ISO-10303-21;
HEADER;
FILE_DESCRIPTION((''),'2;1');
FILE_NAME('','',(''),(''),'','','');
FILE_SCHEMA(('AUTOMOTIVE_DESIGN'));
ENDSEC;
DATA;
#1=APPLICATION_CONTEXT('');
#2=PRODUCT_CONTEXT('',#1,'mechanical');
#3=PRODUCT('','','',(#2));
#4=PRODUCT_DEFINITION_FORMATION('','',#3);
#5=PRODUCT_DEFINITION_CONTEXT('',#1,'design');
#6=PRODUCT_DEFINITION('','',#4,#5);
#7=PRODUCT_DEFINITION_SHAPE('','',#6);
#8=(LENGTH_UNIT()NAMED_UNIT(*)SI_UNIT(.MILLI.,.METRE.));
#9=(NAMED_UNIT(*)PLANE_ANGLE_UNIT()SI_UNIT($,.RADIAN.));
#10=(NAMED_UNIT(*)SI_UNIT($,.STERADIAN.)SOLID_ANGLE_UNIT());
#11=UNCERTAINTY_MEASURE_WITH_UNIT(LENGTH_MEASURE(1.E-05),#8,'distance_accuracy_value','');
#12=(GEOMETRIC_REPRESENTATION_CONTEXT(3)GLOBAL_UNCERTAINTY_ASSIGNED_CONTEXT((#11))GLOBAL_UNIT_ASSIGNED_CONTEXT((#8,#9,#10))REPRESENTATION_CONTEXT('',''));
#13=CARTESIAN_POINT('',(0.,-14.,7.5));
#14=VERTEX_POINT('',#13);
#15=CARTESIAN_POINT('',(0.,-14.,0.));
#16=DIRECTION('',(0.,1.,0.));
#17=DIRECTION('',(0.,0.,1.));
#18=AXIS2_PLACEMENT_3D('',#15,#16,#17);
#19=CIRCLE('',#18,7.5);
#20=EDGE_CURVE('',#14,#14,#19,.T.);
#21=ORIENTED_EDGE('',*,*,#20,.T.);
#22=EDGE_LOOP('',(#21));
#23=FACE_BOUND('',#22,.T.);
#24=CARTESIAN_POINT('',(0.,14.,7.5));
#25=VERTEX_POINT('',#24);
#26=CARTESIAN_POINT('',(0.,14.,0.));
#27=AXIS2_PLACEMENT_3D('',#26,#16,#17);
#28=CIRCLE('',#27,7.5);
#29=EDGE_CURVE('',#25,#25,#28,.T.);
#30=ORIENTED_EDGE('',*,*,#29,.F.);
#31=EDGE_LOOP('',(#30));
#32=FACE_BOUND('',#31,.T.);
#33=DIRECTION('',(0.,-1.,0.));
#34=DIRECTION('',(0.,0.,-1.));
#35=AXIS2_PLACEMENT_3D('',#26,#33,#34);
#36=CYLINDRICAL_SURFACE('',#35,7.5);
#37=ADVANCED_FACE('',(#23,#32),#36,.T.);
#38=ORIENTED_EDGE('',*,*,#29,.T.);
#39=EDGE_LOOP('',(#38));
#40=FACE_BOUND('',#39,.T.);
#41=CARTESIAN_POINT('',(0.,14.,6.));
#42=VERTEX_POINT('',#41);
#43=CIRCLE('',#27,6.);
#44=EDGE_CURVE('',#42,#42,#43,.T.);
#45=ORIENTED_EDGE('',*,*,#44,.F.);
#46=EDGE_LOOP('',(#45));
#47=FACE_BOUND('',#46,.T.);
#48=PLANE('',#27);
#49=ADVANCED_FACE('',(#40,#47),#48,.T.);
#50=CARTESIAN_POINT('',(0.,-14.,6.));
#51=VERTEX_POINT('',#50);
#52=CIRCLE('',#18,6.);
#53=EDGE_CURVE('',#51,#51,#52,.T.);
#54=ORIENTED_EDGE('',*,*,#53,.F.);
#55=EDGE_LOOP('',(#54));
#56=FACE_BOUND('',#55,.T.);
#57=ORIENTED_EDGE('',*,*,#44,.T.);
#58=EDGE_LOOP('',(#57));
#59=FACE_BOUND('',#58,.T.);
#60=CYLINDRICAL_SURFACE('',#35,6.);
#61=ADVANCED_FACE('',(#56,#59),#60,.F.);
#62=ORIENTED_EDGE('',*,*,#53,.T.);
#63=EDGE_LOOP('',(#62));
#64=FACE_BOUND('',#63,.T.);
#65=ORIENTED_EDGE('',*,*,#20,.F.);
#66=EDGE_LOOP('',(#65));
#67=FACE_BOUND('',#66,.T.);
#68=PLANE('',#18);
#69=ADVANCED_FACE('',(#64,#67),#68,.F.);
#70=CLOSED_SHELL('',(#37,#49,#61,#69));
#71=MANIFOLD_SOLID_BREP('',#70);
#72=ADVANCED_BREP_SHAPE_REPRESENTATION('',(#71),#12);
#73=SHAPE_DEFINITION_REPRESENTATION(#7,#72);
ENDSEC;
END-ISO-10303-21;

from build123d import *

# Parameters (mm, degrees)
SKETCH1_R           = 7.5
SKETCH1_R_2         = 6
BOSS_EXTRUDE1_DEPTH = 14


with BuildPart() as part:
    # Sketch1 → Boss-Extrude1 (new body, symmetric)
    with BuildSketch(Plane(origin=(0, 0, 0), x_dir=(1, 0, 0), z_dir=(0, 1, 0))):
        Circle(SKETCH1_R)
        Circle(SKETCH1_R_2, mode=Mode.SUBTRACT)
    extrude(amount=BOSS_EXTRUDE1_DEPTH, both=True)


solid = part.part
